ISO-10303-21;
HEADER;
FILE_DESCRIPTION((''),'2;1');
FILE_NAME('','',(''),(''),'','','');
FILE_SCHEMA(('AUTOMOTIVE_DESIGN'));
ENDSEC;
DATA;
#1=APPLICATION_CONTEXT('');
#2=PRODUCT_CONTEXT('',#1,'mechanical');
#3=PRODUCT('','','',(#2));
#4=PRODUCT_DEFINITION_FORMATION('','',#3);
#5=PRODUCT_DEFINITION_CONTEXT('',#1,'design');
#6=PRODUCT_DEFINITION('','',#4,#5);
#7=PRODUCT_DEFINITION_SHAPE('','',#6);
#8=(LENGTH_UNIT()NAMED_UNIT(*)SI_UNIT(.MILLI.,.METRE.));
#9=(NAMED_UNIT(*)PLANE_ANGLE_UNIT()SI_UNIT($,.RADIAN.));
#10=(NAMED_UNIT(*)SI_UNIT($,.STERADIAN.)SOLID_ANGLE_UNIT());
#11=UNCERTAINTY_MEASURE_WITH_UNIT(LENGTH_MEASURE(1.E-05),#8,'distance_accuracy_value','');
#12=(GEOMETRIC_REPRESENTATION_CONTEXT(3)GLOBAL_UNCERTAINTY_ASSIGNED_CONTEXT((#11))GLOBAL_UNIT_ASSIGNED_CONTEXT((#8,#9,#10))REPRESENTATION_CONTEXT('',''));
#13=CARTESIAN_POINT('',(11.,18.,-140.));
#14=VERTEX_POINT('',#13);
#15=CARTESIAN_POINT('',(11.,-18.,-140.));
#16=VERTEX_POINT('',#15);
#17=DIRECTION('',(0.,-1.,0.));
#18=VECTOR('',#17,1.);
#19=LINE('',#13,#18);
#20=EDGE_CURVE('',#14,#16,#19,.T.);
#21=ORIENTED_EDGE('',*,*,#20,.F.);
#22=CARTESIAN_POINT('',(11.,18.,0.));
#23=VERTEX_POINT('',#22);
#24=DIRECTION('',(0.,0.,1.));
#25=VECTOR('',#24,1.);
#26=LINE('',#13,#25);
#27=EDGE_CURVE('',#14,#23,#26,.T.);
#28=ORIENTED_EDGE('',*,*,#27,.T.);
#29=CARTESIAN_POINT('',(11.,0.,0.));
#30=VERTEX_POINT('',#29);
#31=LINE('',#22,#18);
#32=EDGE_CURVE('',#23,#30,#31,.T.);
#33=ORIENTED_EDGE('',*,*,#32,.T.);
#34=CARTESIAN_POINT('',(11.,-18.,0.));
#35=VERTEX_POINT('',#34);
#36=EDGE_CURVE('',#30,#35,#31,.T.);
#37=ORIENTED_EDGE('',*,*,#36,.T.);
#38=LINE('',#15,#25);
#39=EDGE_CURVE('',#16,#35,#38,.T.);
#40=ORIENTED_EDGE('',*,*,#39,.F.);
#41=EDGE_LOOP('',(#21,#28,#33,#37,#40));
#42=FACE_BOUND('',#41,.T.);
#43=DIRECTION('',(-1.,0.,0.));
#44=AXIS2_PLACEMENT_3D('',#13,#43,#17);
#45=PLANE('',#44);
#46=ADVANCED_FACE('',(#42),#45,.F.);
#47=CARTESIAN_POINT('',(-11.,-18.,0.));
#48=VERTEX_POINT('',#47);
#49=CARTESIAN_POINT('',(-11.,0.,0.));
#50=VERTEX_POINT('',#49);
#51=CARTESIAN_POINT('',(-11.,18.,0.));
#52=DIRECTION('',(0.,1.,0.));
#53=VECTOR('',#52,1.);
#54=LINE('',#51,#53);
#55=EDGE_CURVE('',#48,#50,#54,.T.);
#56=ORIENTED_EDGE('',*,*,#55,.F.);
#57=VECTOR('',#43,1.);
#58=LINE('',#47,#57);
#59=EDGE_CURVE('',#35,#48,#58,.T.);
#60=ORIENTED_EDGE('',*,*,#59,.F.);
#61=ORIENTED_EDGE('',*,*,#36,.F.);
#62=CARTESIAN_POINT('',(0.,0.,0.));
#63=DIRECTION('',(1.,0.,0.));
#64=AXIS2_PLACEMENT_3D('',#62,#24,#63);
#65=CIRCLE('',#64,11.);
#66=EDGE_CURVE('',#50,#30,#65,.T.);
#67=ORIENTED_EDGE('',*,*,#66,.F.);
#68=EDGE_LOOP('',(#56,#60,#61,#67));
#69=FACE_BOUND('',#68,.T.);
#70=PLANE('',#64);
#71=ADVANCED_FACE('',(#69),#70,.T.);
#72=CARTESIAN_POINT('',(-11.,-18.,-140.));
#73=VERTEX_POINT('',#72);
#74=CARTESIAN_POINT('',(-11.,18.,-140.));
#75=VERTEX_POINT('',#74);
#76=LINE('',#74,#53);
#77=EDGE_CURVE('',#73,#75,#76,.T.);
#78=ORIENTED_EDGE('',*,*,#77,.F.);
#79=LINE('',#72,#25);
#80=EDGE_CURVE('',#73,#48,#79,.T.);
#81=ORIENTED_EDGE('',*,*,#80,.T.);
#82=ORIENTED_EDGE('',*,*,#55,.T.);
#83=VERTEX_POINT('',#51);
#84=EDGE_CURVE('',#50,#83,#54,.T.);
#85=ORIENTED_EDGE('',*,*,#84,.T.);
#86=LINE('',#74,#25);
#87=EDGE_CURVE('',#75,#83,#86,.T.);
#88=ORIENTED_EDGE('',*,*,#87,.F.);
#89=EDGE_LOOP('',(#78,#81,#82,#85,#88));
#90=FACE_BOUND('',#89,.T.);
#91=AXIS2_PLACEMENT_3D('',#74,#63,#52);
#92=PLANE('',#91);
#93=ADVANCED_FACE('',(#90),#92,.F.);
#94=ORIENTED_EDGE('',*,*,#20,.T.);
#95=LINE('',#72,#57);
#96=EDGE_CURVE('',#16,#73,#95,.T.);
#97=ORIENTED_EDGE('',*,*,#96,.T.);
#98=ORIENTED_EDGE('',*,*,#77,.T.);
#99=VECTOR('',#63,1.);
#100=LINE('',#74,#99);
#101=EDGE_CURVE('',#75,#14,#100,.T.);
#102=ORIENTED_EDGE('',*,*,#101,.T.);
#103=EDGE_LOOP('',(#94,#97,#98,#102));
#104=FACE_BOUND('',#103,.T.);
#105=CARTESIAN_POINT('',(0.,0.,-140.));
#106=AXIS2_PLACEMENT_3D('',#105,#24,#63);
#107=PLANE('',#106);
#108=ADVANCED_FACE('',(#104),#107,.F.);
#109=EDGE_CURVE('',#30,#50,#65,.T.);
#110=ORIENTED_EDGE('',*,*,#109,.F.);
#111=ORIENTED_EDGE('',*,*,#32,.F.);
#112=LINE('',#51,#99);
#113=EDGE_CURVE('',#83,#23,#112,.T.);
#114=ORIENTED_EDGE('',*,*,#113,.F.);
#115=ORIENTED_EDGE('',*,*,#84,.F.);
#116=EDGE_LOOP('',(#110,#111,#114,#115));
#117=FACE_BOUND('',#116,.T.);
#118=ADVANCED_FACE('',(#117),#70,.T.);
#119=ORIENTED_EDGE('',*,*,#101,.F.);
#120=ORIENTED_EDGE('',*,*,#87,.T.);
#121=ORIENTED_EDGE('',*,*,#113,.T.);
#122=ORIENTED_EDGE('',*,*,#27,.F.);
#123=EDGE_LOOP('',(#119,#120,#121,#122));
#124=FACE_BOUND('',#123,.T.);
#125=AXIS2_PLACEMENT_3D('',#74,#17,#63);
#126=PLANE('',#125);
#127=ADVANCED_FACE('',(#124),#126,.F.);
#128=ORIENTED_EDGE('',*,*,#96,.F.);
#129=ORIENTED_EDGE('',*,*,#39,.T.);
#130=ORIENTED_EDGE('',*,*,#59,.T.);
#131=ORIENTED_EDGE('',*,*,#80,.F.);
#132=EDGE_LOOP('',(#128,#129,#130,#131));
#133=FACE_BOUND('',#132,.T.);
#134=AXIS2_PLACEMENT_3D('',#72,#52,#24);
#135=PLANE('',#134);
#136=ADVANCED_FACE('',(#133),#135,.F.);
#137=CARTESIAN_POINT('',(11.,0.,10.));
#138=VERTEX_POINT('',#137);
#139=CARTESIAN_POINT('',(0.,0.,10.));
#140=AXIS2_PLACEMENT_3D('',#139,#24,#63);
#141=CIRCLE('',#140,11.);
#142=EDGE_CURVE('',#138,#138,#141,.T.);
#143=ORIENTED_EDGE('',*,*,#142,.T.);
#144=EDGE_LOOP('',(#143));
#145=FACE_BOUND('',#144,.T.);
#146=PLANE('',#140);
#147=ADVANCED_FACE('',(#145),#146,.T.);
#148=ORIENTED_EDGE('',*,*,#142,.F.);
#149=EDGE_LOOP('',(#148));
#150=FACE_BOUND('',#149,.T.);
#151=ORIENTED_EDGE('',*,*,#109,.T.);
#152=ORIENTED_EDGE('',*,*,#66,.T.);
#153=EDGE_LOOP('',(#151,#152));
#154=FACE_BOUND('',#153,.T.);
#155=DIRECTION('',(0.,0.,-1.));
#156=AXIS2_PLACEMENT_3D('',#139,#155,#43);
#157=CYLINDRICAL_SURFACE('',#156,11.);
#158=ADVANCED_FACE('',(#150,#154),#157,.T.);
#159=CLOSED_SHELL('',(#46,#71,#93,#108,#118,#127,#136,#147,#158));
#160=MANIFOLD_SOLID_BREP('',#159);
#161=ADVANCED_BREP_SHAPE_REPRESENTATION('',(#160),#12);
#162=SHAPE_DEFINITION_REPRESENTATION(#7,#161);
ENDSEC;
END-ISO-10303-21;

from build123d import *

# Parameters (mm, degrees)
SKETCH1_R           = 11
BOSS_EXTRUDE1_DEPTH = 10
SKETCH3_W           = 22
SKETCH3_H           = 36
BOSS_EXTRUDE2_DEPTH = 140


with BuildPart() as part:
    # Sketch1 → Boss-Extrude1 (new body)
    with BuildSketch(Plane.XY):
        Circle(SKETCH1_R)
    extrude(amount=BOSS_EXTRUDE1_DEPTH)

    # Sketch3 → Boss-Extrude2 (add)
    with BuildSketch(Plane(origin=(0, 0, 0), x_dir=(-1, 0, 0), z_dir=(0, 0, -1))):
        Rectangle(SKETCH3_W, SKETCH3_H)
    extrude(amount=BOSS_EXTRUDE2_DEPTH)


solid = part.part
